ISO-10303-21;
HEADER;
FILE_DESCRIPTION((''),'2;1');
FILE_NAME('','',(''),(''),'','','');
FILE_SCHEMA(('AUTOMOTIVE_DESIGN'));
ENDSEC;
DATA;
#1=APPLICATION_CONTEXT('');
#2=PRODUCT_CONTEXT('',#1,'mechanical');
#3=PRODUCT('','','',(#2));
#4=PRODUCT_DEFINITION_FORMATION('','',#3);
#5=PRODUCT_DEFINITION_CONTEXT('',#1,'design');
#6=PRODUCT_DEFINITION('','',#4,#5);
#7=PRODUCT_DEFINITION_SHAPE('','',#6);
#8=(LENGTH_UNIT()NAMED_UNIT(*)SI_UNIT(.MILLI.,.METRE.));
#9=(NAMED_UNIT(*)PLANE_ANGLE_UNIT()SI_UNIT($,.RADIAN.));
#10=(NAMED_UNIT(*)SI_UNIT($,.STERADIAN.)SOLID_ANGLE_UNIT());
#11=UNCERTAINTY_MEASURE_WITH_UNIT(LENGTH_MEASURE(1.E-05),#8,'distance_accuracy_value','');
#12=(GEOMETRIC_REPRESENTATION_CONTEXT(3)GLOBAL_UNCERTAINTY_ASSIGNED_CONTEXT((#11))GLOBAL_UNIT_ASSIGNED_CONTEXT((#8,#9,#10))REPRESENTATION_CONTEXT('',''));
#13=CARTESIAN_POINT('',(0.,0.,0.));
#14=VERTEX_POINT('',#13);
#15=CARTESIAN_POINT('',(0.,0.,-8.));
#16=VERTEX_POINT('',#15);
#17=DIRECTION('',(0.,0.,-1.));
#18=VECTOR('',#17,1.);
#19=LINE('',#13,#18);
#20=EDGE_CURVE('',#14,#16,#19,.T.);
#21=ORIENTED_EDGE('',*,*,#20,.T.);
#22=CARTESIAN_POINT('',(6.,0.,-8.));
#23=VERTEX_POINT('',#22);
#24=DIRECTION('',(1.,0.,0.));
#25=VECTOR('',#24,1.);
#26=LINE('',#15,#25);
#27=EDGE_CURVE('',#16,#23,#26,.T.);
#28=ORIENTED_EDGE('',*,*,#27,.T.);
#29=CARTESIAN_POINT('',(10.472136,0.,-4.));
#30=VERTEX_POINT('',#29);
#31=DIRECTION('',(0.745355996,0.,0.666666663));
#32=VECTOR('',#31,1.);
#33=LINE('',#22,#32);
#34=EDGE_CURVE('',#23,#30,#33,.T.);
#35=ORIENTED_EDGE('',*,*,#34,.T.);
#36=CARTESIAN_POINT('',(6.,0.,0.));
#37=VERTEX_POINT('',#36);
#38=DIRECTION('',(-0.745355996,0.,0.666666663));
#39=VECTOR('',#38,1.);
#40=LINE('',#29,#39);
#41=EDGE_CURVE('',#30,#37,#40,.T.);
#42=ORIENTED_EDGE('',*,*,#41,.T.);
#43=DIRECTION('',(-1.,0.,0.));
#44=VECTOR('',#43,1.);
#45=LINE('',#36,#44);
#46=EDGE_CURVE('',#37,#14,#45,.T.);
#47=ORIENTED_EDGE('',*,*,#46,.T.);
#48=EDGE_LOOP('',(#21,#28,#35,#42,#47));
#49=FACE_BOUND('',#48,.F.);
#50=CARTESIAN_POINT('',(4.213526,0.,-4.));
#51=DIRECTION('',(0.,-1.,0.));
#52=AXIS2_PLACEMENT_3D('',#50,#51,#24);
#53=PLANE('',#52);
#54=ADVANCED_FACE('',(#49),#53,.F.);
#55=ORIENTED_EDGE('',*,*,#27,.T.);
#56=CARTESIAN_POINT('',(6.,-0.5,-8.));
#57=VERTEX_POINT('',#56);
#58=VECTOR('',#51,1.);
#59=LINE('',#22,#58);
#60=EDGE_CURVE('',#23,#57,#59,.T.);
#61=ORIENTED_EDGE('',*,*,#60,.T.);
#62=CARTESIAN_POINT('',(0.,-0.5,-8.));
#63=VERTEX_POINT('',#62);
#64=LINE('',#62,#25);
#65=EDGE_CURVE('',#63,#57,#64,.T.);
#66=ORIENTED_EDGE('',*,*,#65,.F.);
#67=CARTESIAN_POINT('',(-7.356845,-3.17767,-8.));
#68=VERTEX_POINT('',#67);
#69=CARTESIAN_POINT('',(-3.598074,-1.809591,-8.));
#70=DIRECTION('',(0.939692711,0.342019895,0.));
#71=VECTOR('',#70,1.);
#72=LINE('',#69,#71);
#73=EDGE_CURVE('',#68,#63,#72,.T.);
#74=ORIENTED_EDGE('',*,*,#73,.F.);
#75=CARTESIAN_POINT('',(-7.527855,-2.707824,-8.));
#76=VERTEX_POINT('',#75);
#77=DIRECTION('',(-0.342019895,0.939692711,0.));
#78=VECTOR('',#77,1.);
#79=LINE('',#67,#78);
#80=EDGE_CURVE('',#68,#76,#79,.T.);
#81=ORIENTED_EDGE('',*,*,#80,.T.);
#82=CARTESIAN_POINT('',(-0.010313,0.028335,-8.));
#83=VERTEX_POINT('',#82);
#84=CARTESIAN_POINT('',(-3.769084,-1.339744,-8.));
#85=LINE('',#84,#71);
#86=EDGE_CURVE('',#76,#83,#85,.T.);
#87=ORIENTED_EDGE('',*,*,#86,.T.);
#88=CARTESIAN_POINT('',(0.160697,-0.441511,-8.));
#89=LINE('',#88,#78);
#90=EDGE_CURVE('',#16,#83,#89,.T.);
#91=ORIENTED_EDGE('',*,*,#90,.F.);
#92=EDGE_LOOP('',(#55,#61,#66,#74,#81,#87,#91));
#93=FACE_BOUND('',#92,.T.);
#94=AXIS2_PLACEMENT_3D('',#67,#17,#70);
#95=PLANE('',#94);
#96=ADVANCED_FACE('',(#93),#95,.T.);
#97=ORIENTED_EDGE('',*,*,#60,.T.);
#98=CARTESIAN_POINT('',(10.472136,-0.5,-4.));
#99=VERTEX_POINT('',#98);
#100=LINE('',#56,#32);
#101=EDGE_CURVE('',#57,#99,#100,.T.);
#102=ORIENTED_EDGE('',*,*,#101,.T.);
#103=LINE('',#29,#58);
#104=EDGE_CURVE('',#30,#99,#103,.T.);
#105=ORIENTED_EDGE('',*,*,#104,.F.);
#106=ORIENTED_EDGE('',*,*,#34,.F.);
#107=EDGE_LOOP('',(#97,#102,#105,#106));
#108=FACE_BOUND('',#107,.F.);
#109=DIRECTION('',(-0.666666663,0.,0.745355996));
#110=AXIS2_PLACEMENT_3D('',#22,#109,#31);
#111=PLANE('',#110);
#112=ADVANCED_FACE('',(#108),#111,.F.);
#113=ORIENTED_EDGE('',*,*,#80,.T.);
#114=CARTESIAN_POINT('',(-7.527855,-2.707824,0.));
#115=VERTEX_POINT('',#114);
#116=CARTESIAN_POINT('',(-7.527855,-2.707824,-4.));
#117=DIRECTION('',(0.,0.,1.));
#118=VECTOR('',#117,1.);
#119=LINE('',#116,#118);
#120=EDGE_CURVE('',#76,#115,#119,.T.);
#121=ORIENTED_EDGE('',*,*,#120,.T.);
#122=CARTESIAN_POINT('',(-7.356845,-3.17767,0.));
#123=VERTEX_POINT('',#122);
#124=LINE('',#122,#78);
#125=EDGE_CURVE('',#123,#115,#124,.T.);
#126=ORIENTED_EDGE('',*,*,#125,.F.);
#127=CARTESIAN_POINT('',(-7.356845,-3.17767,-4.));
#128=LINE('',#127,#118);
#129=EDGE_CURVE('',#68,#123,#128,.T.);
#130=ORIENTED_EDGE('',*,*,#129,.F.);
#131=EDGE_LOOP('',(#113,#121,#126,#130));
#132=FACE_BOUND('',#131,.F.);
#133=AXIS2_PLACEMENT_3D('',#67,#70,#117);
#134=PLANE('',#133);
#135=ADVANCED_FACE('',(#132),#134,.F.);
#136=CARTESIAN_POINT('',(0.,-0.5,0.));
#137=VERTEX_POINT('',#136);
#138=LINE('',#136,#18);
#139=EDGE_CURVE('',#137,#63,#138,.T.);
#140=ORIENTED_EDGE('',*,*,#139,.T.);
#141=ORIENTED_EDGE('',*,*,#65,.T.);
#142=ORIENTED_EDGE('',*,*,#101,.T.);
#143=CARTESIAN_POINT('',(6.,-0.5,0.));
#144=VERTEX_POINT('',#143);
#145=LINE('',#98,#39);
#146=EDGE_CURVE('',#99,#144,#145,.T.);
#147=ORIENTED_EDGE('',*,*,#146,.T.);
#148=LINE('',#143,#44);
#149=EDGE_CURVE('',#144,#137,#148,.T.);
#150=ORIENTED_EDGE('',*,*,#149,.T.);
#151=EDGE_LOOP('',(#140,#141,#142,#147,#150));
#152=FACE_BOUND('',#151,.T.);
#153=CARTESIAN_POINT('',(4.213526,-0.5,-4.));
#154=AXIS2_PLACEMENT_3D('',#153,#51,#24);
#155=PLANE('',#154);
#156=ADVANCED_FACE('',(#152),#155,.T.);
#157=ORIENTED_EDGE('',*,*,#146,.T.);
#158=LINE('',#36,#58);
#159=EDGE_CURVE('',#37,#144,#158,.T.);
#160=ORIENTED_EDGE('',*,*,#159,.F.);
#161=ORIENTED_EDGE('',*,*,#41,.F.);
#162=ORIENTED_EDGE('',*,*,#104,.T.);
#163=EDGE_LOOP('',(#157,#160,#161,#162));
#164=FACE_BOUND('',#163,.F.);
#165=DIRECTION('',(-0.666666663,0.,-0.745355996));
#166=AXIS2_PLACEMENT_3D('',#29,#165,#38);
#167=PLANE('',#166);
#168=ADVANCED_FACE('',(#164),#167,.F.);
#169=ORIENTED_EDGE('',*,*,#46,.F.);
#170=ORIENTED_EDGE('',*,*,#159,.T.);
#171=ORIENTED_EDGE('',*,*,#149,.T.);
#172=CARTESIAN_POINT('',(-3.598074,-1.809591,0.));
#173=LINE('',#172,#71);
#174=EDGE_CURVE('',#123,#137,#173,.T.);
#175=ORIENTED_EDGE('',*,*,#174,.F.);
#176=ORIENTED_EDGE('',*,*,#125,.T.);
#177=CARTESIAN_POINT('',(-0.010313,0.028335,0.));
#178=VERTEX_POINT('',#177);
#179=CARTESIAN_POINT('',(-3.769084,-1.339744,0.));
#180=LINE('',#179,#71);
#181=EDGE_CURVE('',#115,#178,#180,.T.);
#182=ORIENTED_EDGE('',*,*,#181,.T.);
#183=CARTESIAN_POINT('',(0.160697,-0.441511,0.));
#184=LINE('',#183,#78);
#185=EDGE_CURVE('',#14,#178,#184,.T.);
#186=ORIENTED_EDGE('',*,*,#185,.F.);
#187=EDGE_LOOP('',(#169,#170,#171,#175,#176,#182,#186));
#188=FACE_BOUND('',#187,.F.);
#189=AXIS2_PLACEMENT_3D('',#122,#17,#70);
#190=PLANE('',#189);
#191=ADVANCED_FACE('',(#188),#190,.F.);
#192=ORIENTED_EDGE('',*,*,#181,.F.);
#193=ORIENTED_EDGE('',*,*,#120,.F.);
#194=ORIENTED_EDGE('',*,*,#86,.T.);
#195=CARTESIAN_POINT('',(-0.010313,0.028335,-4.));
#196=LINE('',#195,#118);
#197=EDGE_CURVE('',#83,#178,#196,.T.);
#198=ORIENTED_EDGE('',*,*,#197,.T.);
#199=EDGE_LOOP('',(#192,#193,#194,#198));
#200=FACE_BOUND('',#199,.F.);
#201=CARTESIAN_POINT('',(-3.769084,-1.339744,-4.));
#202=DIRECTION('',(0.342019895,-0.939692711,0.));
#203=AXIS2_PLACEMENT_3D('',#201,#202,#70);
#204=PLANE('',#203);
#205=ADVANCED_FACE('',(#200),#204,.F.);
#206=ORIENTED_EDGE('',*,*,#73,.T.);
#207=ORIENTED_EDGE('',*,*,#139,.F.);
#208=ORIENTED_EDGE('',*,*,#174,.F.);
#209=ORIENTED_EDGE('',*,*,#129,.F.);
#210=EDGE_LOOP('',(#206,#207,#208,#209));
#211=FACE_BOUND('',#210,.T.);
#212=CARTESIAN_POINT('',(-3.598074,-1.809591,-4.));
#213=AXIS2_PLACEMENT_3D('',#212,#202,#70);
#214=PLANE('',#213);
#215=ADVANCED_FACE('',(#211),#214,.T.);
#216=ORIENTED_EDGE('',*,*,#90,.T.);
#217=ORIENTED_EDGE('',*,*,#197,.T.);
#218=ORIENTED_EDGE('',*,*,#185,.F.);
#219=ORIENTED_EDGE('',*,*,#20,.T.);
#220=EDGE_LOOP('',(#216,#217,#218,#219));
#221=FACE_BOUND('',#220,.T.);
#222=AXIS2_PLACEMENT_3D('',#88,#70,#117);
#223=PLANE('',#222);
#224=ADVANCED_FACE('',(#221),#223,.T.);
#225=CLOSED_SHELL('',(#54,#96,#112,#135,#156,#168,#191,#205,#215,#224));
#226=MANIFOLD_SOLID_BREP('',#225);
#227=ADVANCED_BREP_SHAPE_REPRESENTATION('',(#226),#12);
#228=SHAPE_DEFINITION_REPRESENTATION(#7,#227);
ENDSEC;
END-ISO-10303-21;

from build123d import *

# Parameters (mm, degrees)
F1_DEPTH = 0.5
F3_W     = 8
F3_H     = 8
F4_DEPTH = 0.5


with BuildPart() as f1:
    # F0 (on Front) → F1 (new body)
    with BuildSketch(Plane.XZ):
        Polygon((6, 0), (0, 0), (0, -8), (6, -8), (10.472136, -4), align=None)
    extrude(amount=F1_DEPTH)

    # F3 (on face) → F4 (join)
    with BuildSketch(Plane(origin=(0.160697, -0.441511, 0), x_dir=(0.939693, 0.34202, 0), z_dir=(0.34202, -0.939693, 0))):
        with Locations((-4, -4)):
            Rectangle(F3_W, F3_H)
    extrude(amount=-F4_DEPTH)


solid = f1.part
